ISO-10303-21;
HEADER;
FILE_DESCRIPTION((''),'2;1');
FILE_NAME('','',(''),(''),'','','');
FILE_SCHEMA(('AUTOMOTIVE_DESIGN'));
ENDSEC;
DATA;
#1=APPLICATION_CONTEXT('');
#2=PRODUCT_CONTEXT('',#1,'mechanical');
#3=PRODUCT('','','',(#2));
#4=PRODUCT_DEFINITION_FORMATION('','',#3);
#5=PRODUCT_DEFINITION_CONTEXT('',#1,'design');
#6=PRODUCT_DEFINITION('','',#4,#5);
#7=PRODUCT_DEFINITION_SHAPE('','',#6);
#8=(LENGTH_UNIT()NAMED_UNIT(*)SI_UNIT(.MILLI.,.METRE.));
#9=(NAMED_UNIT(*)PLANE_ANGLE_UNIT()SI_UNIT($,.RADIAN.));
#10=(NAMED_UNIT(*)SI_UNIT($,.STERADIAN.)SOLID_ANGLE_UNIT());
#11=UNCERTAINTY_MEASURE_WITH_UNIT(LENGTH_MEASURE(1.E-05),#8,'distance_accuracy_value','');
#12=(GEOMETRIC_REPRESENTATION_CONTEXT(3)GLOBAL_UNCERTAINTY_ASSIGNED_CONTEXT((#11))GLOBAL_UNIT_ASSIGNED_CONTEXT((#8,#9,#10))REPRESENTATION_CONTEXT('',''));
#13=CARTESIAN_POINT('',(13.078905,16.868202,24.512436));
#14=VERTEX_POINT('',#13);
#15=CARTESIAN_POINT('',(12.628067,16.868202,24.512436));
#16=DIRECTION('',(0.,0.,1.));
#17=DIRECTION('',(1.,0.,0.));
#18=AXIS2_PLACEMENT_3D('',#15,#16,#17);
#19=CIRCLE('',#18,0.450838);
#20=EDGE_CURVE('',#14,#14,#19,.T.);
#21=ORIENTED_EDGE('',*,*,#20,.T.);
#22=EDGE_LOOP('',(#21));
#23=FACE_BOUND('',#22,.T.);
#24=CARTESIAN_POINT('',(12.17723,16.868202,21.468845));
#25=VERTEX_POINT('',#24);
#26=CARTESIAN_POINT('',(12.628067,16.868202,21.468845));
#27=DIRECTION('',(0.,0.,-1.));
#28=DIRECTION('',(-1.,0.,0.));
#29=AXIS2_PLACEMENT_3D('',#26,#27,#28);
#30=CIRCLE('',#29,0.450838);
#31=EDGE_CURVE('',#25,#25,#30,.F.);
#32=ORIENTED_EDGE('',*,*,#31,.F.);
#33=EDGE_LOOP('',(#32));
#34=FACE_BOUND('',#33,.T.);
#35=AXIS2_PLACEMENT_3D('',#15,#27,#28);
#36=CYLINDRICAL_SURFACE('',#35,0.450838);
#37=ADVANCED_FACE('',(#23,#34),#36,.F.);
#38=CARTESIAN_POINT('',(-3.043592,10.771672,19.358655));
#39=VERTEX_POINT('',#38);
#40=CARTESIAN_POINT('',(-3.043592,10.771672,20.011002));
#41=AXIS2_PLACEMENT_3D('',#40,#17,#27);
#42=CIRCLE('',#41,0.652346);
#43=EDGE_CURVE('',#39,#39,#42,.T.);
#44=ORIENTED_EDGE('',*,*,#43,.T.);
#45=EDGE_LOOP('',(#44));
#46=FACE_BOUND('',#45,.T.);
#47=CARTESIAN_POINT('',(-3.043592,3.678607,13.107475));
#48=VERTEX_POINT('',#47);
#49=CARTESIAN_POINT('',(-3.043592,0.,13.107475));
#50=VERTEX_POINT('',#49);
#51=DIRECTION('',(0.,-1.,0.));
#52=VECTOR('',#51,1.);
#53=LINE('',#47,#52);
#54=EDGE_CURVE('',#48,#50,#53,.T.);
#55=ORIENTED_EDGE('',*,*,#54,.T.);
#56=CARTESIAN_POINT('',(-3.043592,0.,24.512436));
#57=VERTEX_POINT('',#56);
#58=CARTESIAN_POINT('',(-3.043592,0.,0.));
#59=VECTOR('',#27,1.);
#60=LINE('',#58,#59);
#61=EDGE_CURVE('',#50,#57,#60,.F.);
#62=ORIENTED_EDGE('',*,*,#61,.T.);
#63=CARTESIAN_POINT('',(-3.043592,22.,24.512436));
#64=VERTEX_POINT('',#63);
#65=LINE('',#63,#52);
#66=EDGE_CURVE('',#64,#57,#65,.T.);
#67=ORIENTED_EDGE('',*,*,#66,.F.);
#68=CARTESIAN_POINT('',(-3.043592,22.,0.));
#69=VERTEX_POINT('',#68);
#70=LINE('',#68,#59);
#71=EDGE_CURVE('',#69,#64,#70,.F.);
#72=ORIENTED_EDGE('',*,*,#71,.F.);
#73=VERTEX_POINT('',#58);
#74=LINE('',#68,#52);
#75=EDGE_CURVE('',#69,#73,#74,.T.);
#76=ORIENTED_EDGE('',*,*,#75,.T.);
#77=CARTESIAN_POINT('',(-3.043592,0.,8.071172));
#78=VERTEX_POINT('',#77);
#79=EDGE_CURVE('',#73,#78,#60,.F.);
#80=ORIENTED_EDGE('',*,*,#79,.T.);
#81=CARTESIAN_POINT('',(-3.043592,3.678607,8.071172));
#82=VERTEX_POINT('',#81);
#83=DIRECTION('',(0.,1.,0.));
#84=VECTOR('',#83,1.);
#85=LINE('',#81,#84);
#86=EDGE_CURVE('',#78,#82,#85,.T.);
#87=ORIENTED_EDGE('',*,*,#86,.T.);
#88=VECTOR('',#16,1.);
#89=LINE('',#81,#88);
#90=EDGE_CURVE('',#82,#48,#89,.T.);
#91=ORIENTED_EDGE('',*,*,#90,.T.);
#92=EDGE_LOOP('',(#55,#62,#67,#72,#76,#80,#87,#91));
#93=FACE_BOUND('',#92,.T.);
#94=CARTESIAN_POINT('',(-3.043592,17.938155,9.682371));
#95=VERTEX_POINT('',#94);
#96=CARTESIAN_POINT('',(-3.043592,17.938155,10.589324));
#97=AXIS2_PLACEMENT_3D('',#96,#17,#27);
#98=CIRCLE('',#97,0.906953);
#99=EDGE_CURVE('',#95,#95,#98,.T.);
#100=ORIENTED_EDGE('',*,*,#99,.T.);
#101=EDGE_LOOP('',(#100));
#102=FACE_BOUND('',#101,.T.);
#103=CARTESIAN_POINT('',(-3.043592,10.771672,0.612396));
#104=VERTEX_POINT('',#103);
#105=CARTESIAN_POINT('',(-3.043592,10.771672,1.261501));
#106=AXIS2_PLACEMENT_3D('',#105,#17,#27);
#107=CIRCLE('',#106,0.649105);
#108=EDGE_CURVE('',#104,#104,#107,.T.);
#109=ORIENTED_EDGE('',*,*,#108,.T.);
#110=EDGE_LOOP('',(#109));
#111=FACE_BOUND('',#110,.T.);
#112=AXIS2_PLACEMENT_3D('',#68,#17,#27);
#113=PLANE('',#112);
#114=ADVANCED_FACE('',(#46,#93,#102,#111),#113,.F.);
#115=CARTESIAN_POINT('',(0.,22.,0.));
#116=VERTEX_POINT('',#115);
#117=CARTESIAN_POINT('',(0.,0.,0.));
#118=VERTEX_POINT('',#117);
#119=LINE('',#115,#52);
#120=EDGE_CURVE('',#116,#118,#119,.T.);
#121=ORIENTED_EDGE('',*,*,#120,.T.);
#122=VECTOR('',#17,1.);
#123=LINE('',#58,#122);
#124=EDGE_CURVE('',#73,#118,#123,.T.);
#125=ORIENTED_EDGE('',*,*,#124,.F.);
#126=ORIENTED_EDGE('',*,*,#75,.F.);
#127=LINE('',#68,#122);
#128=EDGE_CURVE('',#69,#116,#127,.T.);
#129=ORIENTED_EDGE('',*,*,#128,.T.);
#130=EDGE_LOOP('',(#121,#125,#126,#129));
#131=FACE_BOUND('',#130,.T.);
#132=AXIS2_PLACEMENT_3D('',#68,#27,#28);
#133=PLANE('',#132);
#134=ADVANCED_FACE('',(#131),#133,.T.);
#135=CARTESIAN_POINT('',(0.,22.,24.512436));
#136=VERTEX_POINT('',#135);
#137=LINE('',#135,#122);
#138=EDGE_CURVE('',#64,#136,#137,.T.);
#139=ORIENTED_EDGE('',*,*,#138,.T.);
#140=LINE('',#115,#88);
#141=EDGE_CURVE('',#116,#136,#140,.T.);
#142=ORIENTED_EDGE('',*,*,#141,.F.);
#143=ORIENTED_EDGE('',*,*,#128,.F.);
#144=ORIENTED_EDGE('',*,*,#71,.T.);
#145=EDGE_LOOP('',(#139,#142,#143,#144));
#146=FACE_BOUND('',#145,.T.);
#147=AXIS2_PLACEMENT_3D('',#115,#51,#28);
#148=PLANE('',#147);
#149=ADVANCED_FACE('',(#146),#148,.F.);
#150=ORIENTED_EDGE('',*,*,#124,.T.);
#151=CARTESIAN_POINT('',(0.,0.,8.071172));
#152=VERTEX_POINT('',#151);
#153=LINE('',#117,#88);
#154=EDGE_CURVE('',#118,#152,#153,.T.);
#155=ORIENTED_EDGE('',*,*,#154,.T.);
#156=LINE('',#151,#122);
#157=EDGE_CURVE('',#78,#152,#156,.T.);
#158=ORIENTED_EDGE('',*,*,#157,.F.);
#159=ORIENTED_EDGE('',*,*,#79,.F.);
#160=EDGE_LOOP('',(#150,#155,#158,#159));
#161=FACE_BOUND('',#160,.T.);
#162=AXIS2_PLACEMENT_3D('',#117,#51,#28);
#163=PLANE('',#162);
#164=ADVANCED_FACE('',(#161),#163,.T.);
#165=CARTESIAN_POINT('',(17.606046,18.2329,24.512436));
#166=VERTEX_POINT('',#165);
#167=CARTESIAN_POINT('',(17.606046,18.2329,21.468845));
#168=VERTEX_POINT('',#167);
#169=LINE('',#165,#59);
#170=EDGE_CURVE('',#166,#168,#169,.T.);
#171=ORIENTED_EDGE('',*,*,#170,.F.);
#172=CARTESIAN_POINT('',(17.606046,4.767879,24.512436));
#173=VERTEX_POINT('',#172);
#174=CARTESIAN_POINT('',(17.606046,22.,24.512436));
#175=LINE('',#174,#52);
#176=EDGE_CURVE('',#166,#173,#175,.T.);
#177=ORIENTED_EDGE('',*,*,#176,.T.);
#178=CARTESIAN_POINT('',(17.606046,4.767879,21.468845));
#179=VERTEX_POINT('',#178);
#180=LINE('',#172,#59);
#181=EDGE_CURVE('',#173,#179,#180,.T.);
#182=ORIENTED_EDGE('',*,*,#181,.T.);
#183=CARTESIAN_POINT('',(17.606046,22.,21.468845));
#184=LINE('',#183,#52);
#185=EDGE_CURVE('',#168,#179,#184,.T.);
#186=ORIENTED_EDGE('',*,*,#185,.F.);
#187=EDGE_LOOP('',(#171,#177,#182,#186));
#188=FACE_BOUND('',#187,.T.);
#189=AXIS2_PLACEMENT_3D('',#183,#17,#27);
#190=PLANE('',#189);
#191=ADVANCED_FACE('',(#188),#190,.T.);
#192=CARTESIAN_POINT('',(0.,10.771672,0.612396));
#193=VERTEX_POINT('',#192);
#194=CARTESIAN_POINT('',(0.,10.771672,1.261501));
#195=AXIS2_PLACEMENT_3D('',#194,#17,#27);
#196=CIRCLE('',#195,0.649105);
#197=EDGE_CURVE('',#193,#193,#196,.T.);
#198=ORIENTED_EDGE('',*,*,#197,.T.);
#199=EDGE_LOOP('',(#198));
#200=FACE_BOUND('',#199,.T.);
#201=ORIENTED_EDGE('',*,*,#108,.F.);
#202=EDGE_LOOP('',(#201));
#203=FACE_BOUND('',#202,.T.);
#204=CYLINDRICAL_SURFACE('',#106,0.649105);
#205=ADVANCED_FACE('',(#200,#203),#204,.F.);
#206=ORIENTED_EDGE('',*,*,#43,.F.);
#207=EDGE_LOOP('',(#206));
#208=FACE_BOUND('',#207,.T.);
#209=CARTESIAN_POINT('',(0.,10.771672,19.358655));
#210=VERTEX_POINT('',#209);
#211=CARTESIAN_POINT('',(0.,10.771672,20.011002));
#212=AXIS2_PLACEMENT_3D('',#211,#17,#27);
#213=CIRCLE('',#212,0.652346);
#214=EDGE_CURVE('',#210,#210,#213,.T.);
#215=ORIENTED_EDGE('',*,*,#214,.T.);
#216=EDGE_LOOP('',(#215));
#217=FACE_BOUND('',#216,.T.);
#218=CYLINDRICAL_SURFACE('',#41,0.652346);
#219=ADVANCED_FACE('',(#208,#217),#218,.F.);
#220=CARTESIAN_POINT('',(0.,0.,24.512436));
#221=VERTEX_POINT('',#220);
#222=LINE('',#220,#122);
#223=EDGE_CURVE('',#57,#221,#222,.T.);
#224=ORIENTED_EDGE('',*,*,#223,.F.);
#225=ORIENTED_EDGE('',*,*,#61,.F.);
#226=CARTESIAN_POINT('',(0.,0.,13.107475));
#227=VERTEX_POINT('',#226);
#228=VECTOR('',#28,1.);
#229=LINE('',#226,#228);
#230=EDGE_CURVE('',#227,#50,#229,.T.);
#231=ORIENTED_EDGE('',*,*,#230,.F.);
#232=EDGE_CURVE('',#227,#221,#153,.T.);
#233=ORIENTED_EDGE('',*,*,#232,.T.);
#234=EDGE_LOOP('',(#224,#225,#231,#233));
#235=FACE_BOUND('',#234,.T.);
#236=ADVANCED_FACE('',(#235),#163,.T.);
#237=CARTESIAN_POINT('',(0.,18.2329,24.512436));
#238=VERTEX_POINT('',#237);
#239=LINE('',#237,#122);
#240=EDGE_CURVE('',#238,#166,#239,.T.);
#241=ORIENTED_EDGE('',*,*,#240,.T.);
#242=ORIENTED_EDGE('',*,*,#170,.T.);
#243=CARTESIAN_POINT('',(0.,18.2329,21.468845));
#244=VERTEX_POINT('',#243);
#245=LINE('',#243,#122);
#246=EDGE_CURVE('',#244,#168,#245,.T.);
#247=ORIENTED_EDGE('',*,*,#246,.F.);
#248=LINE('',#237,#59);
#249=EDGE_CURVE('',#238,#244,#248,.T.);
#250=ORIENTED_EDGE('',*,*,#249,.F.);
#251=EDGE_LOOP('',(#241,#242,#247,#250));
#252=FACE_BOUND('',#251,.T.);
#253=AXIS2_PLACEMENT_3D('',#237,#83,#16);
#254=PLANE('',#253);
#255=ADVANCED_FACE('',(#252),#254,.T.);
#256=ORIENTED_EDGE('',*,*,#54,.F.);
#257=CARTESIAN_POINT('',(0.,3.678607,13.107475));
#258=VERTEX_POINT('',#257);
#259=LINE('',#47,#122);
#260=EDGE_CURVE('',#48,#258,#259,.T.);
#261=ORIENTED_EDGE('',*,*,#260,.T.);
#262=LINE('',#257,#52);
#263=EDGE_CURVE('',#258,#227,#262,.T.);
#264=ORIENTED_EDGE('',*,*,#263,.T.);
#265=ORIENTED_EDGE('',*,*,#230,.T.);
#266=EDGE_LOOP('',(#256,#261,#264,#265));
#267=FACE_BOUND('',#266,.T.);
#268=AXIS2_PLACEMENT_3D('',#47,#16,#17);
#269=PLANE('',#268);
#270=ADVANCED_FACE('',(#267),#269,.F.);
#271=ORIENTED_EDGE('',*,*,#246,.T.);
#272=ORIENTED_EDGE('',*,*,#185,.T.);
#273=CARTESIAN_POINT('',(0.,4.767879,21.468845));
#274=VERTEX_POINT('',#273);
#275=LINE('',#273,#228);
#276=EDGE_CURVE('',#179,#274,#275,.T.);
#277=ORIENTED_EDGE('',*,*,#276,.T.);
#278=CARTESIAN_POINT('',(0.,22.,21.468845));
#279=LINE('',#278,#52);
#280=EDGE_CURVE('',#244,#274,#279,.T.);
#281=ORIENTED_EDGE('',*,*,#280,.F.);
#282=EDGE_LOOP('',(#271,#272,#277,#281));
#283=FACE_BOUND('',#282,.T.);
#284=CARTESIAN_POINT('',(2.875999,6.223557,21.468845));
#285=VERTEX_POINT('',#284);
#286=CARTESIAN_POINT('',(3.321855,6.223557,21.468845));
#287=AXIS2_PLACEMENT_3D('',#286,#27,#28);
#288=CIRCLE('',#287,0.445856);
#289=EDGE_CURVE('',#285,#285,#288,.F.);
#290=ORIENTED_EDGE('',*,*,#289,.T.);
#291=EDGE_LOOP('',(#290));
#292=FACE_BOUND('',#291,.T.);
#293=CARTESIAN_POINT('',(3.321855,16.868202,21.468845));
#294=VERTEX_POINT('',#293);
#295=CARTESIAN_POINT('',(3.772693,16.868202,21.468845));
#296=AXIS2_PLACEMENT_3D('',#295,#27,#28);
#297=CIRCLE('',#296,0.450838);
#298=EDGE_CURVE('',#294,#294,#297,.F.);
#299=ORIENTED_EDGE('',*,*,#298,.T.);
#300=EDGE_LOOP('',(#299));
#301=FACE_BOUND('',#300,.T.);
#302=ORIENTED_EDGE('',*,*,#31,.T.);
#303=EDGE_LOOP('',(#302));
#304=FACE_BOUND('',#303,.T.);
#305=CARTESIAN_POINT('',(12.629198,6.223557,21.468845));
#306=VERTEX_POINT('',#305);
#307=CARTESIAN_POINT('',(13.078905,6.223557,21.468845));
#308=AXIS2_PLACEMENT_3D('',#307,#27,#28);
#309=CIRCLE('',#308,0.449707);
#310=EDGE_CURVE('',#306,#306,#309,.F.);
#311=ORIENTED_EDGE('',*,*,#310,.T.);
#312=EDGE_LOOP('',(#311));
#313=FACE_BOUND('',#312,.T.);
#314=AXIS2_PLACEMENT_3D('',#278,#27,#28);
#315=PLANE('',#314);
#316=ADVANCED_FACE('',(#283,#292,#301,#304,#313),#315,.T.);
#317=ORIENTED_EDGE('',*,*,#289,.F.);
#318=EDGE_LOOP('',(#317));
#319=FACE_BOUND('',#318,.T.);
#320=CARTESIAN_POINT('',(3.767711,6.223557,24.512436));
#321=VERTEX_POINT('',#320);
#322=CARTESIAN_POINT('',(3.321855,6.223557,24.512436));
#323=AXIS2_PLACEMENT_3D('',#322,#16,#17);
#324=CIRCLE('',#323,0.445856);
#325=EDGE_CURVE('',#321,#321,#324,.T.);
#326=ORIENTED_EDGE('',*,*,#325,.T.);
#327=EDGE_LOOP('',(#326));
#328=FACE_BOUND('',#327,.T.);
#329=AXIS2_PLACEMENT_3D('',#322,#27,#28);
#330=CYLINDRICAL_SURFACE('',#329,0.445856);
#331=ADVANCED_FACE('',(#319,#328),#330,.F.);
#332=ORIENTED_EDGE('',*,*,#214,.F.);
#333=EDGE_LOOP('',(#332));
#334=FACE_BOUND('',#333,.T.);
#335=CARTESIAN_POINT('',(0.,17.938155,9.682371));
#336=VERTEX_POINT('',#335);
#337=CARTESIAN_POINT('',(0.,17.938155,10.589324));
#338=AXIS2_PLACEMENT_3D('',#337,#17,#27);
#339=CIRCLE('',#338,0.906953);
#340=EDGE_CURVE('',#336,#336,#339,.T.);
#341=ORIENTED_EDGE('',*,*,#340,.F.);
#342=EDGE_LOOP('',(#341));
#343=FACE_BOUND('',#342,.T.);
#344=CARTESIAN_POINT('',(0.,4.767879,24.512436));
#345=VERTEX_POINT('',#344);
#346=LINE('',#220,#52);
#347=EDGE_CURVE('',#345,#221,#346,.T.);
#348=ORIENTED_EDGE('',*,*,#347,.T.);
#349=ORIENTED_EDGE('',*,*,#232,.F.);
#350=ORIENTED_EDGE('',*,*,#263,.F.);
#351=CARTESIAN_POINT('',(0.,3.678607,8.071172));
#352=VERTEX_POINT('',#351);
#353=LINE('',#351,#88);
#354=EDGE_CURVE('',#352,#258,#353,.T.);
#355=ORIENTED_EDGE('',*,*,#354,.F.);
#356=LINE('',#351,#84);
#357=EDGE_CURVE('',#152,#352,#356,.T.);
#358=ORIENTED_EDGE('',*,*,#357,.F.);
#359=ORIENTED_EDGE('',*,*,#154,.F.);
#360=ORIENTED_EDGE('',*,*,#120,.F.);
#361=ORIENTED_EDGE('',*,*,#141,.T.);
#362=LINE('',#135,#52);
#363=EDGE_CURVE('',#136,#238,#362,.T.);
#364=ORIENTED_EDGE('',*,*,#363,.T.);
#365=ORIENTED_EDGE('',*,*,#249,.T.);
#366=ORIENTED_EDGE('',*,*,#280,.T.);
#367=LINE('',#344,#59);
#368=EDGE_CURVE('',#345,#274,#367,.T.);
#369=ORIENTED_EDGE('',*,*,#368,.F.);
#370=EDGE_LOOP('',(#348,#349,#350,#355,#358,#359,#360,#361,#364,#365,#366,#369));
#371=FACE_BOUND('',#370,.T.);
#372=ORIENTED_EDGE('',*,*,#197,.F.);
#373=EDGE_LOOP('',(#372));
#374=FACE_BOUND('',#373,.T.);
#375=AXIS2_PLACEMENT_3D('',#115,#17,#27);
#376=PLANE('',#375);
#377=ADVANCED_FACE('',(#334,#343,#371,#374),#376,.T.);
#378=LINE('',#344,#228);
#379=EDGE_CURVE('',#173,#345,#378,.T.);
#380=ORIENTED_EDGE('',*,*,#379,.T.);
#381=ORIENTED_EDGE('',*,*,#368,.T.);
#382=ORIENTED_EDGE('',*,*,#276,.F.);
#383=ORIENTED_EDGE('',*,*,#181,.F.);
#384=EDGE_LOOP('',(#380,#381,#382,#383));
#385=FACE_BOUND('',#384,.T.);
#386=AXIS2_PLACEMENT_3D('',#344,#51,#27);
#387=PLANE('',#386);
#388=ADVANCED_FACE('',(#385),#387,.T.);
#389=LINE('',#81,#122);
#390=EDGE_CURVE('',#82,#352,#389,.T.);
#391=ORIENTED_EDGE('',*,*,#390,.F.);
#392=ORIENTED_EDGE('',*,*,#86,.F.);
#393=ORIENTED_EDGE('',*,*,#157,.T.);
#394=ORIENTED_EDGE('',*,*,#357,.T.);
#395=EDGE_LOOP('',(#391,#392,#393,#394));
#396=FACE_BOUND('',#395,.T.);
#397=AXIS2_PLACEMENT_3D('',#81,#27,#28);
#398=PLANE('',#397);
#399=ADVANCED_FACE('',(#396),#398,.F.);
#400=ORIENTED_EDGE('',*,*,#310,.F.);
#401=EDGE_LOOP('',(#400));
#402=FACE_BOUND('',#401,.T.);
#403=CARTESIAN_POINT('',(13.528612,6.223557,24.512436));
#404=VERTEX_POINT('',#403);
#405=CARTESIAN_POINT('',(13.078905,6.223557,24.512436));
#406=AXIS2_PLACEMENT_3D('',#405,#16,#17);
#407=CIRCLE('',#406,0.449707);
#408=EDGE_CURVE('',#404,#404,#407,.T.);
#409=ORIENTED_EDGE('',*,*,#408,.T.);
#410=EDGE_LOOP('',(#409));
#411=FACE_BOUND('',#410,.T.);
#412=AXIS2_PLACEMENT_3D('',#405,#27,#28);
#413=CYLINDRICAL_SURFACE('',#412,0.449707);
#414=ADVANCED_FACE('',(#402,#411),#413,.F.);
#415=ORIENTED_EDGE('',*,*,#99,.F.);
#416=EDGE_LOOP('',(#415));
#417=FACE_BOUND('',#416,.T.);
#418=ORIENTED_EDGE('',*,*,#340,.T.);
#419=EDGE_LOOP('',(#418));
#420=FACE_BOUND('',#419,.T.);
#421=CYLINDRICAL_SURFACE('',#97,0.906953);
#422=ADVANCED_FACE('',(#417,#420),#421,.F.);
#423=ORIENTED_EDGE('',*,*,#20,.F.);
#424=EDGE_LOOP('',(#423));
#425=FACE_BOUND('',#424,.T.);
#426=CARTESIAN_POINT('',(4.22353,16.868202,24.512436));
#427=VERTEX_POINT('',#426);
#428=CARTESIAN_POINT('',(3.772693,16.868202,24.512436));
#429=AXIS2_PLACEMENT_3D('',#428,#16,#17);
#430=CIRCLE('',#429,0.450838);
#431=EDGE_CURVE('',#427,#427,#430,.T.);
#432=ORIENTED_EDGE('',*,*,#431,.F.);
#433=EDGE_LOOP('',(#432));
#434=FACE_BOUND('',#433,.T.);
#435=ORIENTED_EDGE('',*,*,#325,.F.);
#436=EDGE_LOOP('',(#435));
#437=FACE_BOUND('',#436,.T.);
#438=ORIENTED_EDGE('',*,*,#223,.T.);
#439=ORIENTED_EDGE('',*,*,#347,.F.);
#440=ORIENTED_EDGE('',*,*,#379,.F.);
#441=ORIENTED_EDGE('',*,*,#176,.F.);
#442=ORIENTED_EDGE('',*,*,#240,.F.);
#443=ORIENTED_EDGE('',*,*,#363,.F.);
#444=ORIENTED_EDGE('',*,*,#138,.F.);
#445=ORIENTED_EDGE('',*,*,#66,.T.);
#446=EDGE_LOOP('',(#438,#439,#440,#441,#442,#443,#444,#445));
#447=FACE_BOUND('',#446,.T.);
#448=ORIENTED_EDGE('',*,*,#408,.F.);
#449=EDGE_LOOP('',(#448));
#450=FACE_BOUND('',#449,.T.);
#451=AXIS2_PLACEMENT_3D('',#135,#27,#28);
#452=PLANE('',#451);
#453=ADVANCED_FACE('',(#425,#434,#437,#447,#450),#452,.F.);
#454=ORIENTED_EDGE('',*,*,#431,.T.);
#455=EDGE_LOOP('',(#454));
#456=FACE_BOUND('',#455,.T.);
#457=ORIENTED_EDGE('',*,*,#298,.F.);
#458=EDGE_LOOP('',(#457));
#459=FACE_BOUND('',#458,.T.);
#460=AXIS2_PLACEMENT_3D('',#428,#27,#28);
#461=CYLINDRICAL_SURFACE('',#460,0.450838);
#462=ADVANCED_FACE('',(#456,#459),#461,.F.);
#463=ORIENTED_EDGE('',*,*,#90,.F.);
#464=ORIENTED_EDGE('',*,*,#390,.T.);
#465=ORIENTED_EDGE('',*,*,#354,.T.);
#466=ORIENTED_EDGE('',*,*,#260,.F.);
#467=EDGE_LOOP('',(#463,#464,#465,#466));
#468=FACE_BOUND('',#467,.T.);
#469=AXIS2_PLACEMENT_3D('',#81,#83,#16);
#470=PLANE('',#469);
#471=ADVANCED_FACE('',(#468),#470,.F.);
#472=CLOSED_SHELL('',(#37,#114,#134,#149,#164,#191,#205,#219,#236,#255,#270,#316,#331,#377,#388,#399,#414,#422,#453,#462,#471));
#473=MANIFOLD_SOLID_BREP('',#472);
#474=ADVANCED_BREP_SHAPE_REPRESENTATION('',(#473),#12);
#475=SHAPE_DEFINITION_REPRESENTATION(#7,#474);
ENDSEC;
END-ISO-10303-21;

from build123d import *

# Parameters (mm, degrees)
EXTRUDE_THIN1_DEPTH = 22
SKETCH4_R           = 0.649105381
SKETCH4_R_2         = 0.65234644
SKETCH4_R_3         = 0.906952967
SKETCH4_W           = 5.036303432
SKETCH4_H           = 5.470796117
CUT_EXTRUDE2_DEPTH  = 38.347454818
SKETCH8_R           = 0.450837693
SKETCH8_R_2         = 0.449707116
SKETCH8_R_3         = 0.445855953
CUT_EXTRUDE5_DEPTH  = 38.347454818
SKETCH9_W           = 17.606045563
SKETCH9_H           = 3.76709992
SKETCH9_H_2         = 4.767878547
CUT_EXTRUDE6_DEPTH  = 38.347454818


with BuildPart() as part:
    # Sketch2 → Extrude-Thin1 (new body)
    with BuildSketch(Plane(origin=(0, 0, 0), x_dir=(1, 0, 0), z_dir=(0, 1, 0))):
        Polygon((0, 0), (0, -21.46884451), (17.606045563, -21.46884451), (17.606045563, -24.512436456), (-3.043591946, -24.512436456), (-3.043591946, 0), align=None)
    extrude(amount=EXTRUDE_THIN1_DEPTH)

    # Sketch4 → Cut-Extrude2 (cut, through all)
    with BuildSketch(Plane(origin=(0, 0, 0), x_dir=(0, 0, -1), z_dir=(1, 0, 0))):
        with Locations((-1.261501122, 10.771672365)):
            Circle(SKETCH4_R)
        with Locations((-20.011001783, 10.771672365)):
            Circle(SKETCH4_R_2)
        with Locations((-10.589323514, 17.938155066)):
            Circle(SKETCH4_R_3)
        with Locations((-10.589323514, 0.943208514)):
            Rectangle(SKETCH4_W, SKETCH4_H)
    extrude(amount=-CUT_EXTRUDE2_DEPTH, mode=Mode.SUBTRACT)

    # Sketch8 → Cut-Extrude5 (cut, through all)
    with BuildSketch(Plane.XY):
        with Locations(Location((3.77269277, 16.868201952, 0), (0, 0, 180))):
            Circle(SKETCH8_R)
        with Locations(Location((12.628067292, 16.868201952, 0), (0, 0, 180))):
            Circle(SKETCH8_R)
        with Locations(Location((13.078904985, 6.223556551, 0), (0, 0, 180))):
            Circle(SKETCH8_R_2)
        with Locations(Location((3.321855077, 6.223556551, 0), (0, 0, 180))):
            Circle(SKETCH8_R_3)
    extrude(amount=CUT_EXTRUDE5_DEPTH, mode=Mode.SUBTRACT)

    # Sketch9 → Cut-Extrude6 (cut, through all)
    with BuildSketch(Plane.XY):
        with Locations((8.803022782, 20.11645004)):
            Rectangle(SKETCH9_W, SKETCH9_H)
        with Locations((8.803022782, 2.383939274)):
            Rectangle(SKETCH9_W, SKETCH9_H_2)
    extrude(amount=CUT_EXTRUDE6_DEPTH, mode=Mode.SUBTRACT)


solid = part.part
